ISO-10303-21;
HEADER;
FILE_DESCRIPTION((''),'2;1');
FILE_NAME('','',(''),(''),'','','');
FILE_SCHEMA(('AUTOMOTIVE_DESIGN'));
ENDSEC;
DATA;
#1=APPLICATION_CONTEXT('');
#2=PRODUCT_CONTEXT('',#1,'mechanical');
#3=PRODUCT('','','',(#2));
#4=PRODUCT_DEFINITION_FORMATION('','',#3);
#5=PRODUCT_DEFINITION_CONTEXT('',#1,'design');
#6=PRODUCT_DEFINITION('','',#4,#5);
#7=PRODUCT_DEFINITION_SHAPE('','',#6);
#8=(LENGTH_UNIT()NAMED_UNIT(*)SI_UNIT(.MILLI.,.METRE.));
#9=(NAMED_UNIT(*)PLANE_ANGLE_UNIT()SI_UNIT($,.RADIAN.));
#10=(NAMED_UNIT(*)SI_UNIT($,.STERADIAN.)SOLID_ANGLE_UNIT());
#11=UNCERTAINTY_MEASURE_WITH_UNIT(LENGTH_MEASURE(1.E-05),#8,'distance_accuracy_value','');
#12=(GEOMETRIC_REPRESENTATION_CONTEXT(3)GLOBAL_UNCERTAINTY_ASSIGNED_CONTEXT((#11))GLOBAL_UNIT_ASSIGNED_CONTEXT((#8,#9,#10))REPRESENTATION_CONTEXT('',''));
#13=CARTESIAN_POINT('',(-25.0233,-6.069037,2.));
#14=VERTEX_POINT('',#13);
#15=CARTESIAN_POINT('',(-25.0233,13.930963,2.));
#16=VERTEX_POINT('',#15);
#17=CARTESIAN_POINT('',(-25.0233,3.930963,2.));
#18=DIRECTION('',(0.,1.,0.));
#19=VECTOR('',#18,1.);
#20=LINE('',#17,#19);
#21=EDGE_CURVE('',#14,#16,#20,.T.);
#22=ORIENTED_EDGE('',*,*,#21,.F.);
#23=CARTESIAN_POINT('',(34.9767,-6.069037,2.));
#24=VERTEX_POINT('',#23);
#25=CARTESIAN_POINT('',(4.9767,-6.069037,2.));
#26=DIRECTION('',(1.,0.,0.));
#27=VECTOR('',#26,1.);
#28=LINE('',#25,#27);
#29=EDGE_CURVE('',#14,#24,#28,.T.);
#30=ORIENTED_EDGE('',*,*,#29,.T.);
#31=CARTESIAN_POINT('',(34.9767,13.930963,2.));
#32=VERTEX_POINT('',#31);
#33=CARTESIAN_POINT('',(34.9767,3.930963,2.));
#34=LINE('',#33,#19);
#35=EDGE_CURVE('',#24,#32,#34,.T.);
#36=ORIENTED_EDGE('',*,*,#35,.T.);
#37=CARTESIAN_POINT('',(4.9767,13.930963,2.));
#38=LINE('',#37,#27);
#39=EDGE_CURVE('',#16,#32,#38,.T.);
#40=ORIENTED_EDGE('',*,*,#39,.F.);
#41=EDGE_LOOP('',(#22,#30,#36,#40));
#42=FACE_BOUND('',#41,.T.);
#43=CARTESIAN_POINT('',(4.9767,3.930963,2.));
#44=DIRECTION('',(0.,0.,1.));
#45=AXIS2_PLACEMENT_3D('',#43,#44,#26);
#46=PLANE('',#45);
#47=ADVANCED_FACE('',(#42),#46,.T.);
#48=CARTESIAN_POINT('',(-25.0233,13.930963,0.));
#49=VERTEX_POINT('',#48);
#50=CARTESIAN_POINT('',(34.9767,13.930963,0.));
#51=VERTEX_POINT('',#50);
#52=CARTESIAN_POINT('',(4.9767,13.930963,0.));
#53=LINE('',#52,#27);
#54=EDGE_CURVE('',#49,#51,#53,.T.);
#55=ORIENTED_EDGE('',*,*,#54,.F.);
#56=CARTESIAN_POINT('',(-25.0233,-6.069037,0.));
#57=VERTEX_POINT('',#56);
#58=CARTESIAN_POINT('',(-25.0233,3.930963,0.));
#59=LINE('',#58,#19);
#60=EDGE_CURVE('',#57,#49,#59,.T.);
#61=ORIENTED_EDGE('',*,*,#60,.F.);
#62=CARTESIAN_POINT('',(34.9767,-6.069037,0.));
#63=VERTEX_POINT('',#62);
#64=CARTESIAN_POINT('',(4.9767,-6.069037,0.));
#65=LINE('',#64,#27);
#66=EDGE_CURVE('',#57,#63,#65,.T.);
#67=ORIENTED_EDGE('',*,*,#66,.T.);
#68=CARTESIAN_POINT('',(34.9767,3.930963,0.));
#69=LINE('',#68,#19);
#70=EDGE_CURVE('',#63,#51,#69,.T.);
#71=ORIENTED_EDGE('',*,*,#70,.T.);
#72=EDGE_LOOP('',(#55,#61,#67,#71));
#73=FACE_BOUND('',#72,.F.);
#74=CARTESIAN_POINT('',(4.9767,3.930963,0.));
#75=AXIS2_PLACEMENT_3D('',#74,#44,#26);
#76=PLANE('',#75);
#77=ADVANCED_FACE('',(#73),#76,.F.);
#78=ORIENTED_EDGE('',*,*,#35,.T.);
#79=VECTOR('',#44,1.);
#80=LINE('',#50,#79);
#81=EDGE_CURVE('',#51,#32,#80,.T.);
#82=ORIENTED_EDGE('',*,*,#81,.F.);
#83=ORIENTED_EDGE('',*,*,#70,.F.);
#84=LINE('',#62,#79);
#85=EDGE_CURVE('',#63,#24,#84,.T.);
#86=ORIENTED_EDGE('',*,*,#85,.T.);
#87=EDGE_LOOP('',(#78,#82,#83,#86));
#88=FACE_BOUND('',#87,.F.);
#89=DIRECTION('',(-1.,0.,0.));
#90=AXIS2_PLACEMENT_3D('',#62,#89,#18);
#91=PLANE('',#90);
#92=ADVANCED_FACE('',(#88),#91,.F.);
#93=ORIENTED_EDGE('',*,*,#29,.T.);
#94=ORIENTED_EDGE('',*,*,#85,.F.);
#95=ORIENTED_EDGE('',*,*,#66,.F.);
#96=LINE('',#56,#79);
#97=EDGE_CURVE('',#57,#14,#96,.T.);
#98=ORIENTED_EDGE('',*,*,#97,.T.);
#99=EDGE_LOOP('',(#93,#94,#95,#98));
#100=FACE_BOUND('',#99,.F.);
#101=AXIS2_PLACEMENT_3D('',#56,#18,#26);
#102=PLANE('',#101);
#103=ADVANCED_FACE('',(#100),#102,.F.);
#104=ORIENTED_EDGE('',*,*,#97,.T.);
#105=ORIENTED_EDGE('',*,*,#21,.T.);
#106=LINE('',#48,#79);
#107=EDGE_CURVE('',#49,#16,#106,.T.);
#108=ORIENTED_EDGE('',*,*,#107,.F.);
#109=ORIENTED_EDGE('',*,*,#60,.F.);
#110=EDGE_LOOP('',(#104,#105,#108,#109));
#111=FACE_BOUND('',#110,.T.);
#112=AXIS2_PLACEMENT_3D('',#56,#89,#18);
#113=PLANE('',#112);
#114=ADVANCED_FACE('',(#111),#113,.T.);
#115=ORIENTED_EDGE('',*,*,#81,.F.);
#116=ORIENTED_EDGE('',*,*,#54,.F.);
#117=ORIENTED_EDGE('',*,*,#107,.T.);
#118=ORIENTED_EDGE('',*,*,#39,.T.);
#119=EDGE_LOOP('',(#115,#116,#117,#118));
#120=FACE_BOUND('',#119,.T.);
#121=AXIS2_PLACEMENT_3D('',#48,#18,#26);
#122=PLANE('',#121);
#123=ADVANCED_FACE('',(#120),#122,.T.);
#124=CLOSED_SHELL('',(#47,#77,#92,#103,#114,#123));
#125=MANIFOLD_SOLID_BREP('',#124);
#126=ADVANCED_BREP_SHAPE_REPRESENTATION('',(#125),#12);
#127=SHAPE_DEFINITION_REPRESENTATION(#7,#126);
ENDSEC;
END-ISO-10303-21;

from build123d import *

# Parameters (mm, degrees)
SKETCH_W  = 60
SKETCH_H  = 20
PAD_DEPTH = 2


with BuildPart() as part:
    # Sketch → Pad (new body)
    with BuildSketch(Plane.XY):
        with Locations((4.9767, 3.930963)):
            Rectangle(SKETCH_W, SKETCH_H)
    extrude(amount=PAD_DEPTH)


solid = part.part
